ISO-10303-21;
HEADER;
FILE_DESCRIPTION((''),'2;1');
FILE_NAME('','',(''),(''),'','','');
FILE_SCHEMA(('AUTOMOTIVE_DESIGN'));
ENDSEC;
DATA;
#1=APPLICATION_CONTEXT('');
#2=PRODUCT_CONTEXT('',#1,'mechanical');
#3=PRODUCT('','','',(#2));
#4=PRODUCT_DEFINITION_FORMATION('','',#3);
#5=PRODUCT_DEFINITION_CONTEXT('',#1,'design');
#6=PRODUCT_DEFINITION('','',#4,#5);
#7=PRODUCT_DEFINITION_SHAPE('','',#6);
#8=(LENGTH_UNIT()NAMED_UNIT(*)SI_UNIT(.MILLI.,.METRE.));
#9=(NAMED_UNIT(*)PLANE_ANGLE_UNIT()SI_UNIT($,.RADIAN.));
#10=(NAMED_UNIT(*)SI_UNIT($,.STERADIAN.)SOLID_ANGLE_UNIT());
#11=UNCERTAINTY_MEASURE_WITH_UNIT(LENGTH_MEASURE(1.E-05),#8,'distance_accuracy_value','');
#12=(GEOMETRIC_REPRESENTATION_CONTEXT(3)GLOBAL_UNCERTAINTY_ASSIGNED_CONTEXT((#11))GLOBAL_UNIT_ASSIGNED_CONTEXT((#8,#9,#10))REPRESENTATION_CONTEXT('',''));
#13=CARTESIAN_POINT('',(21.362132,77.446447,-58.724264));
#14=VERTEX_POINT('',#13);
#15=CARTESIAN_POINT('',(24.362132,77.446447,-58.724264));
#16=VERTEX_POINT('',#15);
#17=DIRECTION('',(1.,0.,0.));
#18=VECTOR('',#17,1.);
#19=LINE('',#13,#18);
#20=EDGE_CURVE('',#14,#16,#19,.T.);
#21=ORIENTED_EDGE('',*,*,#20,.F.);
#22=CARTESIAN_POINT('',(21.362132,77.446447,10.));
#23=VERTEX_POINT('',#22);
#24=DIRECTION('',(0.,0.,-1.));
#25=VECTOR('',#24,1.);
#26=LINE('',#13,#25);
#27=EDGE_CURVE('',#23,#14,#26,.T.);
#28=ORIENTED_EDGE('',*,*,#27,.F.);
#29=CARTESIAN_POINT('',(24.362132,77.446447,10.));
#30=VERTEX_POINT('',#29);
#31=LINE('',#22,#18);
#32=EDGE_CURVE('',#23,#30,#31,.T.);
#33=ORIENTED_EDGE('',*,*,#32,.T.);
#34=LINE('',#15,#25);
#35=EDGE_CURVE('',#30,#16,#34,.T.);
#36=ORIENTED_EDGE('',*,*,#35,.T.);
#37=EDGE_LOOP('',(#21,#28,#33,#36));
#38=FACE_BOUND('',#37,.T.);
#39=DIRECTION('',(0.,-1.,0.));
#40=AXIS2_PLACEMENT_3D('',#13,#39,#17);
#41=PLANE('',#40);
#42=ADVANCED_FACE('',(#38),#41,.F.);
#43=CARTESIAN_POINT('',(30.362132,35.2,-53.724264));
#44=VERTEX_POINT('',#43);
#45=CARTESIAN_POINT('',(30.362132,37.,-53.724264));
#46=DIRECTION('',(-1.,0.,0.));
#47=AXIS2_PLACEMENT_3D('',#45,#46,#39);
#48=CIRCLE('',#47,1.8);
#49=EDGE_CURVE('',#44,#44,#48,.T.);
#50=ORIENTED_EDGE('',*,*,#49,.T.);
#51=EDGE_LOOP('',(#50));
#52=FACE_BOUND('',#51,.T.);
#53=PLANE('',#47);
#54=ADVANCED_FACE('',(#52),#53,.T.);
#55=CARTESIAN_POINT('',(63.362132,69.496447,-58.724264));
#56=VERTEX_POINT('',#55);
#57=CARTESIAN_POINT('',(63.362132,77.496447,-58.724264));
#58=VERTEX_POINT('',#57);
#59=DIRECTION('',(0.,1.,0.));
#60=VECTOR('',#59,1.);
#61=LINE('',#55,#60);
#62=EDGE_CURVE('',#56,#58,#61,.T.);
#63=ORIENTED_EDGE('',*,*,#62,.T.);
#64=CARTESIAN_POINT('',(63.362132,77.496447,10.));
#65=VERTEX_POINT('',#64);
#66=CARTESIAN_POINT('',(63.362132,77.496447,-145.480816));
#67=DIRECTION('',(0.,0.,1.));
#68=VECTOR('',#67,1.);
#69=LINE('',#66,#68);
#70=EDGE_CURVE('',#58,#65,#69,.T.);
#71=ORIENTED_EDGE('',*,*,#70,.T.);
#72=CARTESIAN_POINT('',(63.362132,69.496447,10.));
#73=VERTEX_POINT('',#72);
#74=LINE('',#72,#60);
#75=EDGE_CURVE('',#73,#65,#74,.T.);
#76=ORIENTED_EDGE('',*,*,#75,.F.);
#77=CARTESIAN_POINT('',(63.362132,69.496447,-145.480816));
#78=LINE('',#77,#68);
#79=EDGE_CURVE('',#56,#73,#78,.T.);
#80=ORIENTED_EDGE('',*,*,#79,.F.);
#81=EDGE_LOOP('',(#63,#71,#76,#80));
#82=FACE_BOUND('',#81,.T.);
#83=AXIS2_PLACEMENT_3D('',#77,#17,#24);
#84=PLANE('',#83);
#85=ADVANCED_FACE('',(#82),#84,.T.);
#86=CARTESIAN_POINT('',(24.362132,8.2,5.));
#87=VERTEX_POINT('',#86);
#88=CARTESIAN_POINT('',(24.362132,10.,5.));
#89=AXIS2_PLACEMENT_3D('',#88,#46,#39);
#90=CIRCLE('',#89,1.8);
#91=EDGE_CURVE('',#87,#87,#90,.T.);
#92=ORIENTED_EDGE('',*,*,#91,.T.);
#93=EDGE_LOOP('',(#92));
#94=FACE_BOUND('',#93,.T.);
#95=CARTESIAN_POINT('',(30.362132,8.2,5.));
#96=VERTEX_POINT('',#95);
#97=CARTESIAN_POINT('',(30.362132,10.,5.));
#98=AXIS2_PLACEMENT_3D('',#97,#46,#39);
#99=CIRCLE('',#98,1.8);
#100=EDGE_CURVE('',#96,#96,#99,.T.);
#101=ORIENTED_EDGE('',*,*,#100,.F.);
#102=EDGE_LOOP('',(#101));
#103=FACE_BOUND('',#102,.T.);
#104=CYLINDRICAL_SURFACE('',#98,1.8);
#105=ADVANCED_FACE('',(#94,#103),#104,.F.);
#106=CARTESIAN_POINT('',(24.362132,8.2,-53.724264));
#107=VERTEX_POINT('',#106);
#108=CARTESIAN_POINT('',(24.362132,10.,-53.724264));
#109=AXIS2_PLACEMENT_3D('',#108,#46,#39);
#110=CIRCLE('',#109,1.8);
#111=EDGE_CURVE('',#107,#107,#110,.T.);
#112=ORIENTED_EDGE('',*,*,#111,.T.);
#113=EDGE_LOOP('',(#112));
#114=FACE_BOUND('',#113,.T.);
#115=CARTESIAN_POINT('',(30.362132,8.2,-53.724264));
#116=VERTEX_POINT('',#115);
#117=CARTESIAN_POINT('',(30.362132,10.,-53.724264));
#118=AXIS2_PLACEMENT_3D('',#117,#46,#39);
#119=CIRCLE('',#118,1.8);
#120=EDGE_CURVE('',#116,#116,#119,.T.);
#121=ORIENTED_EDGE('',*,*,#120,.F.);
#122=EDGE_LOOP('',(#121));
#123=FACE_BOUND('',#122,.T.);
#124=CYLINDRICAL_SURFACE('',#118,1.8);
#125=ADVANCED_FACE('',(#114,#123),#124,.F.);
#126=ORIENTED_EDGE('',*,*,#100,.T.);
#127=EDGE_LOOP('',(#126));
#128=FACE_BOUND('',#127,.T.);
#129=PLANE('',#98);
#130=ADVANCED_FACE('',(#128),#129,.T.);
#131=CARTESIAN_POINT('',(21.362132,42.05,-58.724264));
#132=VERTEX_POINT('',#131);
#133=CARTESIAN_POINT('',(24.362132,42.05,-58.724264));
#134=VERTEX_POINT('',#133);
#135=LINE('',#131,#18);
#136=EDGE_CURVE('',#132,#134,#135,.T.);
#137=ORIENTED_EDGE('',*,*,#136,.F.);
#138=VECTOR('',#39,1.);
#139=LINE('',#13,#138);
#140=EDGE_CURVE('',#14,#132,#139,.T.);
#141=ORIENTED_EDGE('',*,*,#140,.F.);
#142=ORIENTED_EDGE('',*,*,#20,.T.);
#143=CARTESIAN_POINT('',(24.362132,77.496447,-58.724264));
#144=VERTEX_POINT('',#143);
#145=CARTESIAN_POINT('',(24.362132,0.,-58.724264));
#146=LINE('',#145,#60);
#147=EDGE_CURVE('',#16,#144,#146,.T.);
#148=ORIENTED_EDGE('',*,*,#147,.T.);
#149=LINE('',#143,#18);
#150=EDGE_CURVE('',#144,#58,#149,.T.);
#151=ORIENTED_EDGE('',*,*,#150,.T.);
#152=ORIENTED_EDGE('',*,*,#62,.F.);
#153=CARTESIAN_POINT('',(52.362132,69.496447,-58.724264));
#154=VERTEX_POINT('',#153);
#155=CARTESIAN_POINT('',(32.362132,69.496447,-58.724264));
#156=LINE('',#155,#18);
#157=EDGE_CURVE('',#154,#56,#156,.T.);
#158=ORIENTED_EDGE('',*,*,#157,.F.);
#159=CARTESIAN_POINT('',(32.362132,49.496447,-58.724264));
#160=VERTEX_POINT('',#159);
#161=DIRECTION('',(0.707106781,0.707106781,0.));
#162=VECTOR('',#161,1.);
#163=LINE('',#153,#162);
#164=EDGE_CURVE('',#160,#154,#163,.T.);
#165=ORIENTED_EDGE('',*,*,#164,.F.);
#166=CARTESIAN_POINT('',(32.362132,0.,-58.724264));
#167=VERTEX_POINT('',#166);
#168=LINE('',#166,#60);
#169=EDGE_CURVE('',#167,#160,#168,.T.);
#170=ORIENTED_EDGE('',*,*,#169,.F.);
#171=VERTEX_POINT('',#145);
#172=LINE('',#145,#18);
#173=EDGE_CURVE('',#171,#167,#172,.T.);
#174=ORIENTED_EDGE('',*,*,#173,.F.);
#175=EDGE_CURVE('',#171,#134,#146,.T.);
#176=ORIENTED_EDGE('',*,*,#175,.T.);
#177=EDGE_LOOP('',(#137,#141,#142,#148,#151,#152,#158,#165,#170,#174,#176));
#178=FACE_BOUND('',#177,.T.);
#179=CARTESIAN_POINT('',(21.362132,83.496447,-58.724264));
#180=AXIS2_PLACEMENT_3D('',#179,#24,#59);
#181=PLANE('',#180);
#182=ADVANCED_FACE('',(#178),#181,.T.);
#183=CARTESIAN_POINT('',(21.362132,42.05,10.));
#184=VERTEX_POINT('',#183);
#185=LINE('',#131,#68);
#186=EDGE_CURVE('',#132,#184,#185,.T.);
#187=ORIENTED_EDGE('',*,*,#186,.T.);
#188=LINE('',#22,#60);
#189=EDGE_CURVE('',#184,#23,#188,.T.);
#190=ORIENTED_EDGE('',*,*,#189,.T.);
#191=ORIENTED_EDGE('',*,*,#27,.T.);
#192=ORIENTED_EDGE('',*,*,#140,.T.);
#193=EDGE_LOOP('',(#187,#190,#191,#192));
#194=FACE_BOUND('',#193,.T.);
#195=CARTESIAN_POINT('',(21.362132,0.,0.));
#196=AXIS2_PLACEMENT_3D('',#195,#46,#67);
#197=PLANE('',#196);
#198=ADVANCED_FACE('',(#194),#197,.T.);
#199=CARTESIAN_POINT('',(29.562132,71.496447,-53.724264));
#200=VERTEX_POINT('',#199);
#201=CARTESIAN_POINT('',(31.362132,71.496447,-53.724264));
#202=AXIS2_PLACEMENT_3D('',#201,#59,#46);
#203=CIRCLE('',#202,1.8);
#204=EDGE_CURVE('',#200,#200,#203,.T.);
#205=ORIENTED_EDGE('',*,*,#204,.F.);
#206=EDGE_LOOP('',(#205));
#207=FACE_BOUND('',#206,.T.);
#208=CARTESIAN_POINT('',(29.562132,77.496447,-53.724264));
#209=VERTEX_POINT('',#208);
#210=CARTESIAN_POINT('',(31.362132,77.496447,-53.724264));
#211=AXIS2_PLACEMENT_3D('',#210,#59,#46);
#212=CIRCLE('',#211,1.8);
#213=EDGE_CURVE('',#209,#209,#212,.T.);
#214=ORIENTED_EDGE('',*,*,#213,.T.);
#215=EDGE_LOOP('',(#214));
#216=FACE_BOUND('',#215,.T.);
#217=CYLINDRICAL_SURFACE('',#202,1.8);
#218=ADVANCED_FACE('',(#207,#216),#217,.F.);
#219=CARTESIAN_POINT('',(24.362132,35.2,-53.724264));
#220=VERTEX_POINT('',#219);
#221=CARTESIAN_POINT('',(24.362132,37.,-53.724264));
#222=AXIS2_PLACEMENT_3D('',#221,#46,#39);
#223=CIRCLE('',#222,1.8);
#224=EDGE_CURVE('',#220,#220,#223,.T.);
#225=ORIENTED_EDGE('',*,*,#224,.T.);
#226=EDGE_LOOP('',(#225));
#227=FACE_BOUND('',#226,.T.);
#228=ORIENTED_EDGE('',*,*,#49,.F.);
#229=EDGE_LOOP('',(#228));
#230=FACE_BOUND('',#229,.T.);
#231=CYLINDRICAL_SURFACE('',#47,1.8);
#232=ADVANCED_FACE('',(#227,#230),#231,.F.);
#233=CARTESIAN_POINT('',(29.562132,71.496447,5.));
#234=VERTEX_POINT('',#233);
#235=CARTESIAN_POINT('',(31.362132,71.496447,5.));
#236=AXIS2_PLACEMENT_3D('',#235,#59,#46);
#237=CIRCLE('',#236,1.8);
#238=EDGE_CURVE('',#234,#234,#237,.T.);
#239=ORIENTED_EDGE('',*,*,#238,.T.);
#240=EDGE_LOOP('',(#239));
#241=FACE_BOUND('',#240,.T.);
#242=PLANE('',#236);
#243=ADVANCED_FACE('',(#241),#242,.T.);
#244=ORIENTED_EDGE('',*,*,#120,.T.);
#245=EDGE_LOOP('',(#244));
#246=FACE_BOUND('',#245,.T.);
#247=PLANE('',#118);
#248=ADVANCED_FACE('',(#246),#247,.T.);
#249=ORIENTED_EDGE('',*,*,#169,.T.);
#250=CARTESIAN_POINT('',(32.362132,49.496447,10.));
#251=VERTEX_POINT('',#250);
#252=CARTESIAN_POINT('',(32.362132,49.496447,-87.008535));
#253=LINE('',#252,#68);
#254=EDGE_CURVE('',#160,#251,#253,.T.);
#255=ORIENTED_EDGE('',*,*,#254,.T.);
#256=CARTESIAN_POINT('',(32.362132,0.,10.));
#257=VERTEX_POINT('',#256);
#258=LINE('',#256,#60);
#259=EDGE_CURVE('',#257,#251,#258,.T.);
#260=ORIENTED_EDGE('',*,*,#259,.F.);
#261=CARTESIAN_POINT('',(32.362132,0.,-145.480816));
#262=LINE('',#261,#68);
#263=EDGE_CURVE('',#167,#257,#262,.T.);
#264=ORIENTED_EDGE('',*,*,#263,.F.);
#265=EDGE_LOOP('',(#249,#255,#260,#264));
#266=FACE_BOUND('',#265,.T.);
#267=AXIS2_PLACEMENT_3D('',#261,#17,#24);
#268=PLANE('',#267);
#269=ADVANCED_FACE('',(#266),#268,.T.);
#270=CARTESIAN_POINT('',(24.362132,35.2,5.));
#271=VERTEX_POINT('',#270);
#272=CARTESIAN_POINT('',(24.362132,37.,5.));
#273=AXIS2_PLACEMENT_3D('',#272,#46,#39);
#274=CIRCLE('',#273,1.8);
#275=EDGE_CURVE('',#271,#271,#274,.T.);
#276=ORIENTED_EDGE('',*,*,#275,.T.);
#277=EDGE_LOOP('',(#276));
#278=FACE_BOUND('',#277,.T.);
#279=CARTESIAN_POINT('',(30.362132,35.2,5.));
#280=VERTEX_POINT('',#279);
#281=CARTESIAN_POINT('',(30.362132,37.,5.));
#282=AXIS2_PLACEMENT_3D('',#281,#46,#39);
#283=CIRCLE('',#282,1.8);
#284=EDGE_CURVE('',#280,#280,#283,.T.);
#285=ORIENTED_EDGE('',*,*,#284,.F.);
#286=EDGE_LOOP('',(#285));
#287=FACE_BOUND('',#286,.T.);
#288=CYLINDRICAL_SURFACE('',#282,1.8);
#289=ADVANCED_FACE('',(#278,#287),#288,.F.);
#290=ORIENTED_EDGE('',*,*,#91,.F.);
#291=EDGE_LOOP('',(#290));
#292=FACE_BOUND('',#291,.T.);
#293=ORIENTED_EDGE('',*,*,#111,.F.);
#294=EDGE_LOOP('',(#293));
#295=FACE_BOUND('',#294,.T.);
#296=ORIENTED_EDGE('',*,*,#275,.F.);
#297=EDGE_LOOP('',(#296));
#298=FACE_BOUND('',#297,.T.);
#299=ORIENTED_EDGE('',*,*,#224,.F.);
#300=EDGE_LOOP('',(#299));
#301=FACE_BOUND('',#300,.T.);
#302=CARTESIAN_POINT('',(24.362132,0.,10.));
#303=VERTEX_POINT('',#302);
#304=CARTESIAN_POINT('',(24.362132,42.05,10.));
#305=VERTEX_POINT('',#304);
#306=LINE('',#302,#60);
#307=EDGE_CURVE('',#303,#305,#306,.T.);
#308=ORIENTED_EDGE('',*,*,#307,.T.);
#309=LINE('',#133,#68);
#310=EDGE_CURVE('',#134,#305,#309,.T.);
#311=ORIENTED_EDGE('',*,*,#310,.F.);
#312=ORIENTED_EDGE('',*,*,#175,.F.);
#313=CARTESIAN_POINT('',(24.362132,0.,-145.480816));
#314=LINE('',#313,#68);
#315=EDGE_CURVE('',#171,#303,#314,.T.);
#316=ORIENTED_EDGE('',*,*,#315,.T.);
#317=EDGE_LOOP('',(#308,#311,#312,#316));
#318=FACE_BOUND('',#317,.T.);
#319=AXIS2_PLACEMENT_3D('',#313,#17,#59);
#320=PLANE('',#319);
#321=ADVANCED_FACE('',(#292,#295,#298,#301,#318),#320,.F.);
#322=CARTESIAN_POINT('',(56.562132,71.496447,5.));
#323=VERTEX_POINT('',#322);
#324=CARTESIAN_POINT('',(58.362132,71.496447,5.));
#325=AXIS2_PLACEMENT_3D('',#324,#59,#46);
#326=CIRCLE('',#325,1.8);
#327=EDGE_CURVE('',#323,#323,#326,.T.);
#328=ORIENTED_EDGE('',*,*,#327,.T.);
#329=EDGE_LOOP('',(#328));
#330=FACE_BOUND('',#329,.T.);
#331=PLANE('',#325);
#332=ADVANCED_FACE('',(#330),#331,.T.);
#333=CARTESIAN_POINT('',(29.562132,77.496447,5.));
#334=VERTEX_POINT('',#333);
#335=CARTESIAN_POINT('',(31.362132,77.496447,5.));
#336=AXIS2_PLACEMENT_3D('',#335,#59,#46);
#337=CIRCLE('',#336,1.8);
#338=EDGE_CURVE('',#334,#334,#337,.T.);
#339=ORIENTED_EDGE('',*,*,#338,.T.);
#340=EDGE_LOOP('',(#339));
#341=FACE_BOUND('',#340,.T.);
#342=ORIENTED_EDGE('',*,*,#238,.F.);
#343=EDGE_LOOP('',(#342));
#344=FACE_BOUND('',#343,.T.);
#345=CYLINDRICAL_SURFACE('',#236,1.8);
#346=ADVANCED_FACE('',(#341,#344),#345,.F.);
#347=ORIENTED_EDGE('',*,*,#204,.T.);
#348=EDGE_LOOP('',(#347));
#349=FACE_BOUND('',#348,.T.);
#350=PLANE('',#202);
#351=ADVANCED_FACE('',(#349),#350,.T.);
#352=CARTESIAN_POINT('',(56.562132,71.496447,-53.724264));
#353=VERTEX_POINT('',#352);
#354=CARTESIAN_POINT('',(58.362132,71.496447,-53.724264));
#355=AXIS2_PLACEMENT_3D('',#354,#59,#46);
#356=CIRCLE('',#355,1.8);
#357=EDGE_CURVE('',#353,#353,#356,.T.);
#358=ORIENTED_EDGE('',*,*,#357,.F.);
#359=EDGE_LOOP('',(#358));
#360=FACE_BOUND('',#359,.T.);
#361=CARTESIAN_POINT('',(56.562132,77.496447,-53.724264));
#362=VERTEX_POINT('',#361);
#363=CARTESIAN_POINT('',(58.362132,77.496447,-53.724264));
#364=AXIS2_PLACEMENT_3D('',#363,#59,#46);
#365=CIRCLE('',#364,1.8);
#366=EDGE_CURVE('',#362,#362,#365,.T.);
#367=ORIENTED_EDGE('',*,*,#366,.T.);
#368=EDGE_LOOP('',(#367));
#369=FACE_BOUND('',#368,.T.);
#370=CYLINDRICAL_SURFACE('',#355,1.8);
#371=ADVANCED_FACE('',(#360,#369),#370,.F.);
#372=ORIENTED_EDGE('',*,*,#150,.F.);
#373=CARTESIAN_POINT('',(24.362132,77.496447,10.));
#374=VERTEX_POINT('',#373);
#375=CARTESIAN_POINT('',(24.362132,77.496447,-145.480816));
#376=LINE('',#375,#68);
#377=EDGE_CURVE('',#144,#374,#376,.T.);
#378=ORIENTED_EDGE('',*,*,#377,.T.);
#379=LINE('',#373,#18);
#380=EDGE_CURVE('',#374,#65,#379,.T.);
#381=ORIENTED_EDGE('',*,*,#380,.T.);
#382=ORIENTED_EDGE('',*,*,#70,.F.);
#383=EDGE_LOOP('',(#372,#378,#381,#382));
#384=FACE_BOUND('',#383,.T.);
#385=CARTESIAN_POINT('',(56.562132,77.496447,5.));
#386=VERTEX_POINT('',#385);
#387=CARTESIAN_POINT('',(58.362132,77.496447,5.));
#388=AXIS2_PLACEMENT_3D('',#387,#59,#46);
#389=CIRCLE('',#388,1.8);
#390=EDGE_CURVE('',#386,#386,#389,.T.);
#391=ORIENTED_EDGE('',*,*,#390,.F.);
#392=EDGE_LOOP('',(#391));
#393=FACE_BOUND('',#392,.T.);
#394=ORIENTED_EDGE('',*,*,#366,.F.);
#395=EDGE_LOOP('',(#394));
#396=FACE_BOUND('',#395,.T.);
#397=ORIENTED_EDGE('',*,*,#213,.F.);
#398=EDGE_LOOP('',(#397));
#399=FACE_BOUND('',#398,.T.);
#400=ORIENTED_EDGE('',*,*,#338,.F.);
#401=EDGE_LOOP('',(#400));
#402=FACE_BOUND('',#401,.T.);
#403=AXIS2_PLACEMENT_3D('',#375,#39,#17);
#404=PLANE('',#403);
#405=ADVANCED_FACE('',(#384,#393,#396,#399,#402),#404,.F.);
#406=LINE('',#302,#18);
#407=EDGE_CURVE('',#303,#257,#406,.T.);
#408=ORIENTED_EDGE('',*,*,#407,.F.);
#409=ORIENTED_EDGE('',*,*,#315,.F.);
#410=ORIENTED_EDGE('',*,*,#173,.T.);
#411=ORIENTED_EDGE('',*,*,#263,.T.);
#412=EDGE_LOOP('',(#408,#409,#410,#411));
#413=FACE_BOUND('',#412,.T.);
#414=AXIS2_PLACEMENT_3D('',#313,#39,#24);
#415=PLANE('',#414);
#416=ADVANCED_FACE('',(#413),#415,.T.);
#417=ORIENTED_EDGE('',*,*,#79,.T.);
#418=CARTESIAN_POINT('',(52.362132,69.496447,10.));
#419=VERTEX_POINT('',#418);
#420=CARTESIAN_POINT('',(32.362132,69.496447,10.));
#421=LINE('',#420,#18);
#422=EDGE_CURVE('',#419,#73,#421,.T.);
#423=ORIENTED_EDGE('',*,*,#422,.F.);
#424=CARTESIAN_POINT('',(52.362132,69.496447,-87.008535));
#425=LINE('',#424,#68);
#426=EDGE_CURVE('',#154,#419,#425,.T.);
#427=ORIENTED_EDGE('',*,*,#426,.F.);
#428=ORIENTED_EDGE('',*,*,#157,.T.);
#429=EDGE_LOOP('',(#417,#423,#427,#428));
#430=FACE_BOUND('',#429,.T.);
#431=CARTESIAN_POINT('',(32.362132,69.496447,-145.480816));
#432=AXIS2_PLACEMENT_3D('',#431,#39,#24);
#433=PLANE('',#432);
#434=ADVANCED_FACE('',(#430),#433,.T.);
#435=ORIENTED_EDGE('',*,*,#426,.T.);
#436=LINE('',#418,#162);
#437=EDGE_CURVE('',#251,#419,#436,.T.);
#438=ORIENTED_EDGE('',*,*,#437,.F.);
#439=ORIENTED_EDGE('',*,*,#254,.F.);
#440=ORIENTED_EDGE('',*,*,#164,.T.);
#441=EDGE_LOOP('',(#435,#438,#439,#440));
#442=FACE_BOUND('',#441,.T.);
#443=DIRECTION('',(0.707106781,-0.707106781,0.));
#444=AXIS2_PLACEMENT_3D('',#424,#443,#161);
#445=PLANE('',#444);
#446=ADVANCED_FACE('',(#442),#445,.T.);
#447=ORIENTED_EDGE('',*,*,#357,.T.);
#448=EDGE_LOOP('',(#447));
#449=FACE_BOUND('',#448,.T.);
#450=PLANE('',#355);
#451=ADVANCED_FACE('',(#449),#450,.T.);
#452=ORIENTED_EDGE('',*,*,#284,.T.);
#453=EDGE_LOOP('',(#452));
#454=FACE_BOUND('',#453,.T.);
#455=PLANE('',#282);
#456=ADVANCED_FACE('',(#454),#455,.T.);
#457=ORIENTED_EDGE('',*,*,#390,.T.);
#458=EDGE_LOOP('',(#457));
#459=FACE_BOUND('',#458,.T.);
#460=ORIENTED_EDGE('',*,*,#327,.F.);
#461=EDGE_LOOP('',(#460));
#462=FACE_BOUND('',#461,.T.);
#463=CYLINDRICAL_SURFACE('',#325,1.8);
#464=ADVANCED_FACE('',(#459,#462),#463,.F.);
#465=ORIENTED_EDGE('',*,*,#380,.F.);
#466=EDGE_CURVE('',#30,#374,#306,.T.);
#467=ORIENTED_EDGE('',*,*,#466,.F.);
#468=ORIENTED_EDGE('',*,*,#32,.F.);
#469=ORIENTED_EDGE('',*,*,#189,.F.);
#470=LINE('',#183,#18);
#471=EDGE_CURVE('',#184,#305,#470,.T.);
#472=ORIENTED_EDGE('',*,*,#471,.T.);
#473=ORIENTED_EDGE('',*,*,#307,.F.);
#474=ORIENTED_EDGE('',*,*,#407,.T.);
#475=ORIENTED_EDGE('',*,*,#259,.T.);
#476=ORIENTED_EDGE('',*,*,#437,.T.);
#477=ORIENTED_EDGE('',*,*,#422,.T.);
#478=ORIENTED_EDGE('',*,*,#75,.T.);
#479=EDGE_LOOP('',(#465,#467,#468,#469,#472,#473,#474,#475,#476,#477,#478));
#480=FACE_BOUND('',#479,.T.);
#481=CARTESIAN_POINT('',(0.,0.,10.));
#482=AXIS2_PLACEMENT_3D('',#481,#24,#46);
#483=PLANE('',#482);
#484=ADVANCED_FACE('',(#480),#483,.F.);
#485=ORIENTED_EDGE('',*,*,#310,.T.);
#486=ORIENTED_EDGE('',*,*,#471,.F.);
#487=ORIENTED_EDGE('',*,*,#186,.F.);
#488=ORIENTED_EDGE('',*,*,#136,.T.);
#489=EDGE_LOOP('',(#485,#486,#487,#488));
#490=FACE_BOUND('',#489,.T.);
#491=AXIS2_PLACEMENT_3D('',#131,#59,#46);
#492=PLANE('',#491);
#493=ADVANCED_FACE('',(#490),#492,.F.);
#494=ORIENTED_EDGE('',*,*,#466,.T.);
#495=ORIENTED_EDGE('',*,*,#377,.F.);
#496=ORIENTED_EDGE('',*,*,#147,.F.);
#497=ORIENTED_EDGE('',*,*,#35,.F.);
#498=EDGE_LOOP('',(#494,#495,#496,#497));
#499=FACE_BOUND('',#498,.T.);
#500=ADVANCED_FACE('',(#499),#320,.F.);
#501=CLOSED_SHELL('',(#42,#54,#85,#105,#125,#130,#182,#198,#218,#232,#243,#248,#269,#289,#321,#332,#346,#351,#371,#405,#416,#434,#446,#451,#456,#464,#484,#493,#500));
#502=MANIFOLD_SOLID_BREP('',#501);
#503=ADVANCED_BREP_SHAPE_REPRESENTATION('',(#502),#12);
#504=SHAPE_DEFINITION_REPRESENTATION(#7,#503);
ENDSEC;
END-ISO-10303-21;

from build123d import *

# Parameters (mm, degrees)
BOSS_EXTRUDE1_DEPTH = 68.724264069
BOSS_EXTRUDE2_DEPTH = 68.724264069
SKETCH2_R           = 1.8
CUT_EXTRUDE1_DEPTH  = 6
SKETCH3_R           = 1.8
CUT_EXTRUDE2_DEPTH  = 6
SKETCH5_W           = 68.724264069
SKETCH5_H           = 35.396446609
BOSS_EXTRUDE3_DEPTH = 3


with BuildPart() as part:
    # Sketch1 → Boss-Extrude1 (new body)
    with BuildSketch(Plane.XY.offset(10)):
        Polygon((24.362132034, 0), (24.362132034, 77.496446609), (63.362132034, 77.496446609), (63.362132034, 69.496446609), (32.362132034, 69.496446609), (32.362132034, 0), align=None)
    extrude(amount=-BOSS_EXTRUDE1_DEPTH)

    # Sketch4 → Boss-Extrude2 (add)
    with BuildSketch(Plane.XY.offset(10)):
        Polygon((32.362132034, 49.496446609), (32.362132034, 69.496446609), (52.362132034, 69.496446609), align=None)
    extrude(amount=-BOSS_EXTRUDE2_DEPTH)

    # Sketch2 → Cut-Extrude1 (cut)
    with BuildSketch(Plane(origin=(0, 77.496446609, 0), x_dir=(1, 0, 0), z_dir=(0, 1, 0))):
        with Locations(Location((58.362132034, 53.724264069, 0), (0, 0, 180))):
            Circle(SKETCH2_R)
        with Locations(Location((31.362132034, 53.724264069, 0), (0, 0, 180))):
            Circle(SKETCH2_R)
        with Locations(Location((58.362132034, -5, 0), (0, 0, 180))):
            Circle(SKETCH2_R)
        with Locations(Location((31.362132034, -5, 0), (0, 0, 180))):
            Circle(SKETCH2_R)
    extrude(amount=-CUT_EXTRUDE1_DEPTH, mode=Mode.SUBTRACT)

    # Sketch3 → Cut-Extrude2 (cut)
    with BuildSketch(Plane.ZY.offset(-24.362132034)):
        with Locations(Location((-53.724264069, 37, 0), (0, 0, 270))):
            Circle(SKETCH3_R)
        with Locations(Location((-53.724264069, 10, 0), (0, 0, 270))):
            Circle(SKETCH3_R)
        with Locations(Location((5, 10, 0), (0, 0, 270))):
            Circle(SKETCH3_R)
        with Locations(Location((5, 37, 0), (0, 0, 270))):
            Circle(SKETCH3_R)
    extrude(amount=-CUT_EXTRUDE2_DEPTH, mode=Mode.SUBTRACT)

    # Sketch5 → Boss-Extrude3 (add)
    with BuildSketch(Plane.ZY.offset(-24.362132034)):
        with Locations((-24.362132035, 59.748223305)):
            Rectangle(SKETCH5_W, SKETCH5_H)
    extrude(amount=BOSS_EXTRUDE3_DEPTH)


solid = part.part
